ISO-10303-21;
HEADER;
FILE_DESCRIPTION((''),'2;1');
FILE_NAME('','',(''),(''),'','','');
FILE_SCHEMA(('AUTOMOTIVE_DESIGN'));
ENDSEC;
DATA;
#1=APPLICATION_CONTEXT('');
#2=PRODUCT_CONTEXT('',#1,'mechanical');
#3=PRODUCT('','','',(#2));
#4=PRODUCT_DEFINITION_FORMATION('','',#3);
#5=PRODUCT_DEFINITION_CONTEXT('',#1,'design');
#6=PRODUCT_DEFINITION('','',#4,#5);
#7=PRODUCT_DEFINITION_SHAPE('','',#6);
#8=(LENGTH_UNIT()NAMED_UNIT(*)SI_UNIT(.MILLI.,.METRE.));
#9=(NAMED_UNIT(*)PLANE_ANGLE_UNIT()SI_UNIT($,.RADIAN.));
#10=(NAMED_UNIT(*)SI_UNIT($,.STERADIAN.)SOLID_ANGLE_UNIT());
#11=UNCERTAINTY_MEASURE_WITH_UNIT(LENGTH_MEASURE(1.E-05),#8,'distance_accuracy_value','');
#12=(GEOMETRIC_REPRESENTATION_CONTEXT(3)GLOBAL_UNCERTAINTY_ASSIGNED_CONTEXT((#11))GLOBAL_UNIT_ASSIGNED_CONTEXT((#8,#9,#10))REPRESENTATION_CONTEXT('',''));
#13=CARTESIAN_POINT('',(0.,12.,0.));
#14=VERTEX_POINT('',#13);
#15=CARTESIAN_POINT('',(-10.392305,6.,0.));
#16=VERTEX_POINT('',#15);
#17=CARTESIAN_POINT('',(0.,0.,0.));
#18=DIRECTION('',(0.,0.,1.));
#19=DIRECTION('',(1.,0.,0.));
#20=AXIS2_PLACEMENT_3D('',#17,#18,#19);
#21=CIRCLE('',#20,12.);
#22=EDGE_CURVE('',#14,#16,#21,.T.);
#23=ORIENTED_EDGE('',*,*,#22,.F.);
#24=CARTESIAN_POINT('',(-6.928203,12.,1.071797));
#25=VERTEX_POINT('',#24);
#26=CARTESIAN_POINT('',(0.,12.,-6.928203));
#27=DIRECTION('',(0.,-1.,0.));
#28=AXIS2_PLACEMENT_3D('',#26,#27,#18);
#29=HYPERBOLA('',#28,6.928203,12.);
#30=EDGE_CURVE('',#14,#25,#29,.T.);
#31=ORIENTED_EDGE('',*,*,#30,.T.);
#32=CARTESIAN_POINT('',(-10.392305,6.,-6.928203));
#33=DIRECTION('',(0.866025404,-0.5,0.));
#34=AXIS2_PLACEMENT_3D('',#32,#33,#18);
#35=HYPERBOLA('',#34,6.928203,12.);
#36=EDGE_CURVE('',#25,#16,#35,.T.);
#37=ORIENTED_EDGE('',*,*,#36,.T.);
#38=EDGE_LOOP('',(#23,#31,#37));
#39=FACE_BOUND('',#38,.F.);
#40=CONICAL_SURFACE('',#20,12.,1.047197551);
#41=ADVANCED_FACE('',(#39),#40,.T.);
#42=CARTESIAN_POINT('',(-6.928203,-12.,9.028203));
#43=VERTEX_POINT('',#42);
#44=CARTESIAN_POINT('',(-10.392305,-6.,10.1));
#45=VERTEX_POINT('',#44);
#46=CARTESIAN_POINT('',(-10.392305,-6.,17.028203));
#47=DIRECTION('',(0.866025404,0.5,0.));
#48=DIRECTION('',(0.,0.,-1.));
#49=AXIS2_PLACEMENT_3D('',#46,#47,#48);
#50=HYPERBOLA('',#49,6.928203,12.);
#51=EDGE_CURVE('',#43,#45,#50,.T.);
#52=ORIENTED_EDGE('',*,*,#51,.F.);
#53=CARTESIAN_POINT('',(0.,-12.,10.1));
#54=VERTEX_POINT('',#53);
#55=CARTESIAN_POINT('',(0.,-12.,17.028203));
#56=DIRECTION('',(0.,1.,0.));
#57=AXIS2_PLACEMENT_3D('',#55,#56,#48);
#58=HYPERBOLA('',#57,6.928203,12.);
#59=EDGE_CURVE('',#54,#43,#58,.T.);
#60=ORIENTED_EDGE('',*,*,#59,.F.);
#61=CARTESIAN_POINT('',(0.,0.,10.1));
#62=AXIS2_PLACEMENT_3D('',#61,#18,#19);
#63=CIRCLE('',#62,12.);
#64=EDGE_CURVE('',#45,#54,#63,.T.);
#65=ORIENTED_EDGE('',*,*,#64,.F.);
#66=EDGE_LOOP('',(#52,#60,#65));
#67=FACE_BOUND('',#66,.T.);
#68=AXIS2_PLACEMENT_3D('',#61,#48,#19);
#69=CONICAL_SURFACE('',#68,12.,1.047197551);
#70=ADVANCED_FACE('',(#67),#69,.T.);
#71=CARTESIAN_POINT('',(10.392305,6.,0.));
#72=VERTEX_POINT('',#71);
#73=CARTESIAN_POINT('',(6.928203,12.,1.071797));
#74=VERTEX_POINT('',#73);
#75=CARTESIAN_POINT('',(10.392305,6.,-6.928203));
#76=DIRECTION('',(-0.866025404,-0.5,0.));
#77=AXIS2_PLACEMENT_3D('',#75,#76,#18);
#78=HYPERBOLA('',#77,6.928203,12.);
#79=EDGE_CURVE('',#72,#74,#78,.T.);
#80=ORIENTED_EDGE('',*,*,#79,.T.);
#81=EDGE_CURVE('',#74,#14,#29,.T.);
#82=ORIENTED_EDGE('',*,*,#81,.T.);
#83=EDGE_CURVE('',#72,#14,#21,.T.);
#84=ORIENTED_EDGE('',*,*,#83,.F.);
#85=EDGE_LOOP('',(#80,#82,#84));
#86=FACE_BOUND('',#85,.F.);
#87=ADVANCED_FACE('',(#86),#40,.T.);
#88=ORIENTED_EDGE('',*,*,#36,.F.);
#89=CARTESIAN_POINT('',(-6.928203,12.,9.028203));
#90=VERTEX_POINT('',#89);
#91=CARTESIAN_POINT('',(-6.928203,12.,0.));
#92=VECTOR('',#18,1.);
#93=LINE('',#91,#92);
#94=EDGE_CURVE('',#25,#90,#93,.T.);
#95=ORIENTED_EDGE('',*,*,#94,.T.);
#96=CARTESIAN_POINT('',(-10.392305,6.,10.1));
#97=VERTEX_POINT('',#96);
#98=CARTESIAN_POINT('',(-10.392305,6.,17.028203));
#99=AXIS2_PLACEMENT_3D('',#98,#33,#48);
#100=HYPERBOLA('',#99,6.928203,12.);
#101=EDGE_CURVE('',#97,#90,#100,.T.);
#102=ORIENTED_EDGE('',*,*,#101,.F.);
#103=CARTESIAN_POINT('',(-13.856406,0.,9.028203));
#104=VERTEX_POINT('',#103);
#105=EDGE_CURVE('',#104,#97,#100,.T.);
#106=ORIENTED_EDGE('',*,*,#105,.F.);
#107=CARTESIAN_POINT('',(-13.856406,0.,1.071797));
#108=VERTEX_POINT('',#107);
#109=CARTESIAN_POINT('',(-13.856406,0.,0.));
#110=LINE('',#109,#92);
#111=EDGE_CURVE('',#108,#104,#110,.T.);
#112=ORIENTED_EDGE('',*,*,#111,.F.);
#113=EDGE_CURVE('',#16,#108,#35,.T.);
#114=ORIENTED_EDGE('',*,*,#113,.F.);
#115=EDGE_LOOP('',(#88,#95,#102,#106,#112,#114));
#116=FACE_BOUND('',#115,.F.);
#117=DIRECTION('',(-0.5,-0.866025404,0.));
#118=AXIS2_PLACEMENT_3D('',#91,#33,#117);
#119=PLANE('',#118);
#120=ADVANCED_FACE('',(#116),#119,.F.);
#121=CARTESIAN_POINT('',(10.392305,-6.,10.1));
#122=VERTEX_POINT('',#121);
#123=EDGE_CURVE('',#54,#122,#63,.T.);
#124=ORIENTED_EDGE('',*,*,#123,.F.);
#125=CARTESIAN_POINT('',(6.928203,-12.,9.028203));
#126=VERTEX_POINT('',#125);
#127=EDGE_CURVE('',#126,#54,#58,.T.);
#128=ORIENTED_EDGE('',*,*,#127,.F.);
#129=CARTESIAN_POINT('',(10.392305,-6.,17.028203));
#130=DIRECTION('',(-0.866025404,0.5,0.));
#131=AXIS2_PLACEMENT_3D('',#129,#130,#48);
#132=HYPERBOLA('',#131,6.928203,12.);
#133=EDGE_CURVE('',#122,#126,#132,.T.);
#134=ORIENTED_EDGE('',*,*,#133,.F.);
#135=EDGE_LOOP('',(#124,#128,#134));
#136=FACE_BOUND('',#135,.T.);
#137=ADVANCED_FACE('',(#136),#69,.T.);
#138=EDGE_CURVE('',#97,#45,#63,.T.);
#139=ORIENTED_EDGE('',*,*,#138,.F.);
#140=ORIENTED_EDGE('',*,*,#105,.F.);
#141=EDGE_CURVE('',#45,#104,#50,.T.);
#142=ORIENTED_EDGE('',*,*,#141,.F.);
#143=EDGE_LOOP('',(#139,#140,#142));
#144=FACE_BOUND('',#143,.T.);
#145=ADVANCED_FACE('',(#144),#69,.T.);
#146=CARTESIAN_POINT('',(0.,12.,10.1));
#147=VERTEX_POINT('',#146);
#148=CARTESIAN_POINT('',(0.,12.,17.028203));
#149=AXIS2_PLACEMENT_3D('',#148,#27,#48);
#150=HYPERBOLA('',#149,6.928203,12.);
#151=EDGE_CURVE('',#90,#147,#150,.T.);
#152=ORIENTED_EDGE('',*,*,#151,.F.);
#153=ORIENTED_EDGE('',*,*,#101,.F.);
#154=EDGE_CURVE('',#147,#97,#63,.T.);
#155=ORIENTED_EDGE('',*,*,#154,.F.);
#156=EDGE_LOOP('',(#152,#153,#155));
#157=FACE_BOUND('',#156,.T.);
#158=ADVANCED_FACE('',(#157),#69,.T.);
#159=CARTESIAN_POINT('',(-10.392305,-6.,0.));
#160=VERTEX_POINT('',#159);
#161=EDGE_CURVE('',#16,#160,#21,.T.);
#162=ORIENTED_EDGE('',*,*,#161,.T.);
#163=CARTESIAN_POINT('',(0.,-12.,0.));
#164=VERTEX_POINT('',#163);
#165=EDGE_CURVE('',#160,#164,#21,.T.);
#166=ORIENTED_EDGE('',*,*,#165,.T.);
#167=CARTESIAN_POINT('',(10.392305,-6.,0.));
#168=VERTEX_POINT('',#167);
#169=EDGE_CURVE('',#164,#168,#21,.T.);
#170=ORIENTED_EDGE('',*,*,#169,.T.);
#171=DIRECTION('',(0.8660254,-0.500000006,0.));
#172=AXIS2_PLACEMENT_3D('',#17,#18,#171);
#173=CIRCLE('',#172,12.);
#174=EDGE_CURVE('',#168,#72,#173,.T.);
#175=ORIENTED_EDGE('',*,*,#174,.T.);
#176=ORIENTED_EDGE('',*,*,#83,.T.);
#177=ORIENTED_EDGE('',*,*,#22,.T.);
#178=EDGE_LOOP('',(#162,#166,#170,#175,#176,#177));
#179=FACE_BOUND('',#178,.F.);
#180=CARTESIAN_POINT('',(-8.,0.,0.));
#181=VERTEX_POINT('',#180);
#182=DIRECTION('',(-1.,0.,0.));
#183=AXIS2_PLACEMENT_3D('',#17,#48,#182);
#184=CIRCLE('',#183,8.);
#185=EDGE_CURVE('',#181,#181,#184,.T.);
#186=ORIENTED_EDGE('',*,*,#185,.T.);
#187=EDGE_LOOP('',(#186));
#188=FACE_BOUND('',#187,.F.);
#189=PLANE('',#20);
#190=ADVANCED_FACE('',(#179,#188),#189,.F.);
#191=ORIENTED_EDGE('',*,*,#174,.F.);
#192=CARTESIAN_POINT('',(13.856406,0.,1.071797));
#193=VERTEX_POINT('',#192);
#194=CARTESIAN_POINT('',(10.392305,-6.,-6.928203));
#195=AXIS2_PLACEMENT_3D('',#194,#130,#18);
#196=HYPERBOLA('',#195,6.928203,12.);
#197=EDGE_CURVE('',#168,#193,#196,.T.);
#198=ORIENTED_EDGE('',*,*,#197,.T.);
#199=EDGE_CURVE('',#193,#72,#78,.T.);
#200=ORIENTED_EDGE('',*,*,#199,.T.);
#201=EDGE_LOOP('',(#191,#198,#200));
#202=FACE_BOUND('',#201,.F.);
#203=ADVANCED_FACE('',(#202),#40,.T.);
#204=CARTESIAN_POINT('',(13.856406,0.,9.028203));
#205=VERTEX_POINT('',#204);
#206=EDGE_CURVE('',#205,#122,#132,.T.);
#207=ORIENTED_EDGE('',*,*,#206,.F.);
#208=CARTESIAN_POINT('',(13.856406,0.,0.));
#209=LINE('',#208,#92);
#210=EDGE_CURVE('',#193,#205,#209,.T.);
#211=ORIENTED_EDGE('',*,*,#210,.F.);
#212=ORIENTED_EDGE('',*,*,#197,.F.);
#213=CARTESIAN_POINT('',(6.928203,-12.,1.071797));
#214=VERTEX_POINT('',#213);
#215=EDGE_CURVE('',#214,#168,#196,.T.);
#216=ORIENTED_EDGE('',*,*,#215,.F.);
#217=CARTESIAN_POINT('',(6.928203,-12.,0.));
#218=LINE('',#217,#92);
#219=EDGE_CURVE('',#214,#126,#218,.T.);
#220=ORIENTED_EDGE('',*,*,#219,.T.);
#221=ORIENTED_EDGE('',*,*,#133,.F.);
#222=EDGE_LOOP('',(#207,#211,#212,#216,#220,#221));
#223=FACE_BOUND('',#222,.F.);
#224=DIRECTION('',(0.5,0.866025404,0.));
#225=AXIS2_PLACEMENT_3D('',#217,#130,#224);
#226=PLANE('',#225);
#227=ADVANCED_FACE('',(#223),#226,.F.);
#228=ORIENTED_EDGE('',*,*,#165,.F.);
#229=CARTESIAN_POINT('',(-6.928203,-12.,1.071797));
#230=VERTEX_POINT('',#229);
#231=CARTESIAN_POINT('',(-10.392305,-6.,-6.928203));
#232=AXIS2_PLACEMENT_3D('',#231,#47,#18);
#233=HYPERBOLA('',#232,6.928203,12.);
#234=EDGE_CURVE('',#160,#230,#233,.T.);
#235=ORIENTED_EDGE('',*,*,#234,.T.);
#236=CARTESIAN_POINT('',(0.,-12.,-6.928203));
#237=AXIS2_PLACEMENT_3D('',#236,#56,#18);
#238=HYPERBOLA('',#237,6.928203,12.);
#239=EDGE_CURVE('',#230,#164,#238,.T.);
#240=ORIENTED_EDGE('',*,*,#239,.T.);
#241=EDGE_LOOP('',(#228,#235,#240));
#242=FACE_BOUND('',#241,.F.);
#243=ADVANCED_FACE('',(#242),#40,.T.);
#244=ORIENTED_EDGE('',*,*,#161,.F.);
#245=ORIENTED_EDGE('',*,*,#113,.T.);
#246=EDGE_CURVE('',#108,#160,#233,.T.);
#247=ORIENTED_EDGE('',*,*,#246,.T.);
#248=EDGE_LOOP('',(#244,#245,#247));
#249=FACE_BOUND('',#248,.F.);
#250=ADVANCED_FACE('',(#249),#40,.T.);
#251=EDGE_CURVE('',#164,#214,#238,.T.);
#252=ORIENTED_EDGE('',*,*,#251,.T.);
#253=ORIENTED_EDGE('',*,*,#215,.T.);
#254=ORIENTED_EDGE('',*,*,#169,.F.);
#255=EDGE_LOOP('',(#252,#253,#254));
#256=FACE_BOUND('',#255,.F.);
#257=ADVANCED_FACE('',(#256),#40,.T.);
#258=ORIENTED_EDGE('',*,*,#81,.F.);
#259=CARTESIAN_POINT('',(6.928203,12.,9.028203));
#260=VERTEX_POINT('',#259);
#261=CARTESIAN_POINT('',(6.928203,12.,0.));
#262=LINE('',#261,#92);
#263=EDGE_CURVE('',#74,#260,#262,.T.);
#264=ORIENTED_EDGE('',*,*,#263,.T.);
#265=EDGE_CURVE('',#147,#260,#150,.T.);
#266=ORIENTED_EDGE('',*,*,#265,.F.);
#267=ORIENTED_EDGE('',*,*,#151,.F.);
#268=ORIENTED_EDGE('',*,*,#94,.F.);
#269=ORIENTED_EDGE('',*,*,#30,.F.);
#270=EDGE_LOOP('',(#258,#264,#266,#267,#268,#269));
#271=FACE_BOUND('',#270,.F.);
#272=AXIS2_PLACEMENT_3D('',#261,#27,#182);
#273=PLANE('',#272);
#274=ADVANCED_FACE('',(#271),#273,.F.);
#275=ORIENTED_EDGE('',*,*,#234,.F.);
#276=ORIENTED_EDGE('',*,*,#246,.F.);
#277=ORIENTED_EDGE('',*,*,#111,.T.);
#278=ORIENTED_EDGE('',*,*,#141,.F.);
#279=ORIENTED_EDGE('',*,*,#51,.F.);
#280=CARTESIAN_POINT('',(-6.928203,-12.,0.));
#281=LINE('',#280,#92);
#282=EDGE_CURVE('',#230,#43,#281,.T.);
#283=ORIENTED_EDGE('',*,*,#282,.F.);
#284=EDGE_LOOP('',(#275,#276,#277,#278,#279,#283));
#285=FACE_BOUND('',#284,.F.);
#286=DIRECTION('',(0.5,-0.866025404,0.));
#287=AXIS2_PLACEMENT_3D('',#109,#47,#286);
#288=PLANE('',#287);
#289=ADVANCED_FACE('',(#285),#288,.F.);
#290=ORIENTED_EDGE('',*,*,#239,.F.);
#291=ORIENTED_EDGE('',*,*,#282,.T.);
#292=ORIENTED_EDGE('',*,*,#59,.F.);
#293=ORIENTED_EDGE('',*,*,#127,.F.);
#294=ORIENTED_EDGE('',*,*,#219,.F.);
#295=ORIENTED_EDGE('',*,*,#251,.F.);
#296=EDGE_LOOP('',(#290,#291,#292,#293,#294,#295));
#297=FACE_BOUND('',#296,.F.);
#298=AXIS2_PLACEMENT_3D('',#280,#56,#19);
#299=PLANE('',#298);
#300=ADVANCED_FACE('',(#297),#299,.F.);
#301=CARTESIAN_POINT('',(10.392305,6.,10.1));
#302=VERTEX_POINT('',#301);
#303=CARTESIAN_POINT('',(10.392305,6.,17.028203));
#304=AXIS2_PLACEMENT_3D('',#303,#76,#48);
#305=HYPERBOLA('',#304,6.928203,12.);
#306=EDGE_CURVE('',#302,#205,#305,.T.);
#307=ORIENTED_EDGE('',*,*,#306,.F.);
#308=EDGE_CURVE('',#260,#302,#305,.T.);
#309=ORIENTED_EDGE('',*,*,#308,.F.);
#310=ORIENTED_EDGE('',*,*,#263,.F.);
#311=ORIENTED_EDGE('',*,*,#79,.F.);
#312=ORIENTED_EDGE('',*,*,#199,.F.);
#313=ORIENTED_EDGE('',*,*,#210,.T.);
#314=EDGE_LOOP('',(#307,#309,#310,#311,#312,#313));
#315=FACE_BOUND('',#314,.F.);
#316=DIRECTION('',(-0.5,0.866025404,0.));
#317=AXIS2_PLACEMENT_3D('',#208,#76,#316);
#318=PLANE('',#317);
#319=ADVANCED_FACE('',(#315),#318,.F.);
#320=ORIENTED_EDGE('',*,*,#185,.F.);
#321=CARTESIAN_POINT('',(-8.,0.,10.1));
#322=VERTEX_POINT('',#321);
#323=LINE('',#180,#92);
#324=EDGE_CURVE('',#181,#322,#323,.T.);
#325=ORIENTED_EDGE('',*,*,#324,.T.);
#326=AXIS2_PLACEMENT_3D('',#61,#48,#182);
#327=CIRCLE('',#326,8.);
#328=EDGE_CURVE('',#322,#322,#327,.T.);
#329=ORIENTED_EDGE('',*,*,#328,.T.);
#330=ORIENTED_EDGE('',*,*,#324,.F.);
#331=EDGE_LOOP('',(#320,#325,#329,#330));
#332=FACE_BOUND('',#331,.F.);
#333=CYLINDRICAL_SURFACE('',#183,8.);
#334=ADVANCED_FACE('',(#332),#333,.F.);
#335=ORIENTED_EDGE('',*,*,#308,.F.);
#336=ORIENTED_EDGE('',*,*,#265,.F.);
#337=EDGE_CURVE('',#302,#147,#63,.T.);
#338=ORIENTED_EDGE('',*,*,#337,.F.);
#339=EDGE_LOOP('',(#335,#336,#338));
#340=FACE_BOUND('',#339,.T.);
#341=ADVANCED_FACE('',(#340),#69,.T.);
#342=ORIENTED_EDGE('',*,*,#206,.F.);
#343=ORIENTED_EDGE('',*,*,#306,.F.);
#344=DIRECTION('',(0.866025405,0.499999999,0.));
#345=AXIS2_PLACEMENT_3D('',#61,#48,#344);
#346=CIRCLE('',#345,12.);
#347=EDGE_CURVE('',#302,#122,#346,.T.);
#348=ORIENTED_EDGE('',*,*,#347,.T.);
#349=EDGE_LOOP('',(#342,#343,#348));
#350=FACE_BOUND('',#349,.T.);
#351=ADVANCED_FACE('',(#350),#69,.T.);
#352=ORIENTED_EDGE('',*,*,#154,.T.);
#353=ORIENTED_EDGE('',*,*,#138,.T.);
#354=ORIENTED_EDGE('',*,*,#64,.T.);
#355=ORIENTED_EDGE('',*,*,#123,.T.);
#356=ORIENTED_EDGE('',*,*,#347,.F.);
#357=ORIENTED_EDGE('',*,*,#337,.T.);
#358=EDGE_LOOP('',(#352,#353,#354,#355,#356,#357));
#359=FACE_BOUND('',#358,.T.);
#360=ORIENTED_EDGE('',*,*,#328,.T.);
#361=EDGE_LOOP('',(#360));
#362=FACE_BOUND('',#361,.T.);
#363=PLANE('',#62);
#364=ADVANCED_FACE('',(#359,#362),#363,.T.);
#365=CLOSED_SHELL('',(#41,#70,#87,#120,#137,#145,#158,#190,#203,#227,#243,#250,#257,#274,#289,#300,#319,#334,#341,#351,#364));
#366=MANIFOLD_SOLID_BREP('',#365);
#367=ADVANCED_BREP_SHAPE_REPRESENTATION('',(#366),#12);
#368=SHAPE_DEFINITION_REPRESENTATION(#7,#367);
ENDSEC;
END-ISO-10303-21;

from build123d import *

# Parameters (mm, degrees)
BOSS_EXTRUDE1_DEPTH = 10.1
SKETCH2_OUTSIDE_W   = 113.28
SKETCH2_OUTSIDE_H   = 109.568
SKETCH2_OUTSIDE_R   = 12
CUT_EXTRUDE1_DEPTH  = 21.928688444
CUT_EXTRUDE1_DRAFT  = -60
SKETCH8_R           = 8
CUT_EXTRUDE4_DEPTH  = 21.928688444
SKETCH9_OUTSIDE_W   = 113.28
SKETCH9_OUTSIDE_H   = 109.568
SKETCH9_OUTSIDE_R   = 12
CUT_EXTRUDE6_DEPTH  = 21.928688444
CUT_EXTRUDE6_DRAFT  = 60


with BuildPart() as part:
    # Sketch1 → Boss-Extrude1 (new body)
    with BuildSketch(Plane.XY):
        Polygon((13.856406461, 0), (6.92820323, 12), (-6.92820323, 12), (-13.856406461, 0), (-6.92820323, -12), (6.92820323, -12), align=None)
    extrude(amount=BOSS_EXTRUDE1_DEPTH)


with BuildPart() as cut_extrude1_tool:
    # Sketch2 outside → Cut-Extrude1 (with draft: the straight prism first)
    with BuildSketch(Plane.XY.offset(10.1)):
        Rectangle(SKETCH2_OUTSIDE_W, SKETCH2_OUTSIDE_H)
        Circle(SKETCH2_OUTSIDE_R, mode=Mode.SUBTRACT)
    extrude(amount=-CUT_EXTRUDE1_DEPTH)
    # Cut-Extrude1: the draft: its side faces are tilted about the plane it starts from
    cut_extrude1_sides = [cut_extrude1_tool.faces().sort_by_distance(p)[0] for p in [
        (0, -54.784, -0.864344222),
        (56.64, 0, -0.864344222),
        (0, 54.784, -0.864344222),
        (-56.64, 0, -0.864344222),
        (-12, 0, -0.864344222),
    ]]
    draft(cut_extrude1_sides, Plane.XY.offset(10.1), CUT_EXTRUDE1_DRAFT)


with BuildPart() as part_1:
    add(part.part)

    # Cut-Extrude1: cut by cut_extrude1_tool
    add(cut_extrude1_tool.part, mode=Mode.SUBTRACT)

    # Sketch8 → Cut-Extrude4 (cut, through all)
    with BuildSketch(Plane(origin=(0, 0, 0), x_dir=(-1, 0, 0), z_dir=(0, 0, -1))):
        Circle(SKETCH8_R)
    extrude(amount=-CUT_EXTRUDE4_DEPTH, mode=Mode.SUBTRACT)


with BuildPart() as cut_extrude6_tool:
    # Sketch9 outside → Cut-Extrude6 (with draft: the straight prism first)
    with BuildSketch(Plane.XY):
        Rectangle(SKETCH9_OUTSIDE_W, SKETCH9_OUTSIDE_H)
        Circle(SKETCH9_OUTSIDE_R, mode=Mode.SUBTRACT)
    extrude(amount=CUT_EXTRUDE6_DEPTH)
    # Cut-Extrude6: the draft: its side faces are tilted about the plane it starts from
    cut_extrude6_sides = [cut_extrude6_tool.faces().sort_by_distance(p)[0] for p in [
        (0, -54.784, 10.964344222),
        (56.64, 0, 10.964344222),
        (0, 54.784, 10.964344222),
        (-56.64, 0, 10.964344222),
        (-12, 0, 10.964344222),
    ]]
    draft(cut_extrude6_sides, Plane.XY, CUT_EXTRUDE6_DRAFT)


with BuildPart() as part_2:
    add(part_1.part)

    # Cut-Extrude6: cut by cut_extrude6_tool
    add(cut_extrude6_tool.part, mode=Mode.SUBTRACT)


solid = part_2.part
